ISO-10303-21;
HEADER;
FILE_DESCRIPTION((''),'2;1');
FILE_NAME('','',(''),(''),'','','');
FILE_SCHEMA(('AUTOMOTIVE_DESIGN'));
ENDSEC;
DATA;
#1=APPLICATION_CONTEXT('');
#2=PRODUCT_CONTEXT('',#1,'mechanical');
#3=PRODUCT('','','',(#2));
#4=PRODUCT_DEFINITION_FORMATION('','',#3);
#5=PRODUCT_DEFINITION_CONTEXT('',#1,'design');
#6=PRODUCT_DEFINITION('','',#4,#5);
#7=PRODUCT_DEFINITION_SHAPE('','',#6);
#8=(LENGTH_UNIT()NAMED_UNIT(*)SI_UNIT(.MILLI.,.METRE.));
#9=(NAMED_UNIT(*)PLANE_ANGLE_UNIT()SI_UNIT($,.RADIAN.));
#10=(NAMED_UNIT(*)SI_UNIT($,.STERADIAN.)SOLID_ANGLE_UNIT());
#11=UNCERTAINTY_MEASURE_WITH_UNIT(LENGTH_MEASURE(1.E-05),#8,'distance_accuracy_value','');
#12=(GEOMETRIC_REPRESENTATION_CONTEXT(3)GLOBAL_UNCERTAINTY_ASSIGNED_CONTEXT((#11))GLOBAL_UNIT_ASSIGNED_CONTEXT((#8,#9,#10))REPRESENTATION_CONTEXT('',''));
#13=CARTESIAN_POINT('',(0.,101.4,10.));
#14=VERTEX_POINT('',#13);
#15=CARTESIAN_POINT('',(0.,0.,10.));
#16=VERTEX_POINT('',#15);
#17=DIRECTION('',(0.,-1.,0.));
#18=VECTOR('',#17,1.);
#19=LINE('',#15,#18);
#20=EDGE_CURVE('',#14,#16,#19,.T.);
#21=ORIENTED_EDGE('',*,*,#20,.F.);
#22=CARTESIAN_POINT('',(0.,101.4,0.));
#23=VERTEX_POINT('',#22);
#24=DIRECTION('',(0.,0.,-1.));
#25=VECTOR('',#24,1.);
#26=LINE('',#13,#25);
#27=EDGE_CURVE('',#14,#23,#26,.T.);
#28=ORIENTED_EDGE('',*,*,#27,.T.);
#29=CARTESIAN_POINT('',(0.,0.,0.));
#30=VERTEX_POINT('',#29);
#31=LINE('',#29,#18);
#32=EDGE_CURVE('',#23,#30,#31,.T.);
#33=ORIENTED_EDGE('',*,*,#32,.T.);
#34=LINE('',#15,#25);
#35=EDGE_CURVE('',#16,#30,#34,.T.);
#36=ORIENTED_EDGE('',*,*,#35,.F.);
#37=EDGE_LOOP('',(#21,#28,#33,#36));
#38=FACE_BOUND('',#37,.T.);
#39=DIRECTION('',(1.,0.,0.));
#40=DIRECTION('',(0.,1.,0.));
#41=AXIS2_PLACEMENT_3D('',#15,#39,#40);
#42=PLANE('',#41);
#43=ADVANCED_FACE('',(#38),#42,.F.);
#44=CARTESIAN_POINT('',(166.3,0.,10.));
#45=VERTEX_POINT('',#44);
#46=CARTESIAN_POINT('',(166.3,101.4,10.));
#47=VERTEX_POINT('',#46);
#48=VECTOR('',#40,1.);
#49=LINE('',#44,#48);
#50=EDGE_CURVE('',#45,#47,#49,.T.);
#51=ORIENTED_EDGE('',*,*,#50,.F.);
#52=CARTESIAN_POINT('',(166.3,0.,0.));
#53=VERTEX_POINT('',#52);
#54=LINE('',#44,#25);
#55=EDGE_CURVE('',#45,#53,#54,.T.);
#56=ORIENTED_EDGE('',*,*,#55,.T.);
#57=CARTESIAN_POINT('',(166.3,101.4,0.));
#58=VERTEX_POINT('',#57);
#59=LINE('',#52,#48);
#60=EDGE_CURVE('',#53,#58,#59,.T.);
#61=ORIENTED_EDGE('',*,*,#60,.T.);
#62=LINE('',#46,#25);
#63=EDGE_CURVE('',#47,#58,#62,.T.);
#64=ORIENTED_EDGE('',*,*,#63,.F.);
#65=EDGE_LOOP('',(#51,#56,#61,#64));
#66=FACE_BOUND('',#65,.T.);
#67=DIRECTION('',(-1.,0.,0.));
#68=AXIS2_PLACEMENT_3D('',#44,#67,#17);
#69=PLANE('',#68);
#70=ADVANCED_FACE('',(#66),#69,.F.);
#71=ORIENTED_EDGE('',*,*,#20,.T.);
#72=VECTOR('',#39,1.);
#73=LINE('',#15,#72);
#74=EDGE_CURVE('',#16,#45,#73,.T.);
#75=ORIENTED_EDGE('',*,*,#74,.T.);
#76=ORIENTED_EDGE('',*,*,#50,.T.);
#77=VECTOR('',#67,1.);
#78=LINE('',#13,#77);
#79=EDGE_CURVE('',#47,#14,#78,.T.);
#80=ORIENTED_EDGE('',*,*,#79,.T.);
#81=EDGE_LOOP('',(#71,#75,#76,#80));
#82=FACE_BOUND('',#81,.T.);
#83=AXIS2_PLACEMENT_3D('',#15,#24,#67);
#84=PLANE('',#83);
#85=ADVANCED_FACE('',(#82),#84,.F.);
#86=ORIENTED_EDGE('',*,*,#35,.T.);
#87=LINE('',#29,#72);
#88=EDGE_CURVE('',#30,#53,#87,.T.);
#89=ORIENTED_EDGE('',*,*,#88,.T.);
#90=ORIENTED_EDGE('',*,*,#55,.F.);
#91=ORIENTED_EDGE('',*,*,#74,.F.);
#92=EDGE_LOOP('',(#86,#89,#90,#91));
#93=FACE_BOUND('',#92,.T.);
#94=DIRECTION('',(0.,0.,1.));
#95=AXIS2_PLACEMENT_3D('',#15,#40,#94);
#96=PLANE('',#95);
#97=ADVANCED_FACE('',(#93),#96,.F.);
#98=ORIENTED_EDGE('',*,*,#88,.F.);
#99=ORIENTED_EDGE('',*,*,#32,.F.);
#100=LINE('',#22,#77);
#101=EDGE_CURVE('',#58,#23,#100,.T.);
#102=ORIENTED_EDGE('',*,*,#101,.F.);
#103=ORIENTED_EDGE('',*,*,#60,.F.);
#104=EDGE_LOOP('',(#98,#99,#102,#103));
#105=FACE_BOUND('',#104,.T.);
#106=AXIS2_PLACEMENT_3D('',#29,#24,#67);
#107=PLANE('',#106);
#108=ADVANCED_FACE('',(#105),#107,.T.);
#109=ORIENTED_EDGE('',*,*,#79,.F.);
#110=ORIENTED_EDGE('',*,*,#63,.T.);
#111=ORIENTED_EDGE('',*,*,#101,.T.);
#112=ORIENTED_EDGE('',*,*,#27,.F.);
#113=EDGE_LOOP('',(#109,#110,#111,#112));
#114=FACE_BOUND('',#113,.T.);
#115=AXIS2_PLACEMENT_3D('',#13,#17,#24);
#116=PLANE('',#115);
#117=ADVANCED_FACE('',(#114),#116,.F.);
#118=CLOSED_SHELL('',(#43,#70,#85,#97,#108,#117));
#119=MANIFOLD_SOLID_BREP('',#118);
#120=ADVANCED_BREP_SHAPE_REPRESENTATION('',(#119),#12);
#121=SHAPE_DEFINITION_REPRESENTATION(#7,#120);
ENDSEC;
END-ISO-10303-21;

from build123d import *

# Parameters (mm, degrees)
ESBO_O1_W                = 166.3
ESBO_O1_H                = 101.4
RESSALTO_EXTRUS_O1_DEPTH = 10


with BuildPart() as part:
    # Esboço1 → Ressalto-extrusão1 (new body)
    with BuildSketch(Plane.XY):
        with Locations((83.15, 50.7)):
            Rectangle(ESBO_O1_W, ESBO_O1_H)
    extrude(amount=RESSALTO_EXTRUS_O1_DEPTH)


solid = part.part
